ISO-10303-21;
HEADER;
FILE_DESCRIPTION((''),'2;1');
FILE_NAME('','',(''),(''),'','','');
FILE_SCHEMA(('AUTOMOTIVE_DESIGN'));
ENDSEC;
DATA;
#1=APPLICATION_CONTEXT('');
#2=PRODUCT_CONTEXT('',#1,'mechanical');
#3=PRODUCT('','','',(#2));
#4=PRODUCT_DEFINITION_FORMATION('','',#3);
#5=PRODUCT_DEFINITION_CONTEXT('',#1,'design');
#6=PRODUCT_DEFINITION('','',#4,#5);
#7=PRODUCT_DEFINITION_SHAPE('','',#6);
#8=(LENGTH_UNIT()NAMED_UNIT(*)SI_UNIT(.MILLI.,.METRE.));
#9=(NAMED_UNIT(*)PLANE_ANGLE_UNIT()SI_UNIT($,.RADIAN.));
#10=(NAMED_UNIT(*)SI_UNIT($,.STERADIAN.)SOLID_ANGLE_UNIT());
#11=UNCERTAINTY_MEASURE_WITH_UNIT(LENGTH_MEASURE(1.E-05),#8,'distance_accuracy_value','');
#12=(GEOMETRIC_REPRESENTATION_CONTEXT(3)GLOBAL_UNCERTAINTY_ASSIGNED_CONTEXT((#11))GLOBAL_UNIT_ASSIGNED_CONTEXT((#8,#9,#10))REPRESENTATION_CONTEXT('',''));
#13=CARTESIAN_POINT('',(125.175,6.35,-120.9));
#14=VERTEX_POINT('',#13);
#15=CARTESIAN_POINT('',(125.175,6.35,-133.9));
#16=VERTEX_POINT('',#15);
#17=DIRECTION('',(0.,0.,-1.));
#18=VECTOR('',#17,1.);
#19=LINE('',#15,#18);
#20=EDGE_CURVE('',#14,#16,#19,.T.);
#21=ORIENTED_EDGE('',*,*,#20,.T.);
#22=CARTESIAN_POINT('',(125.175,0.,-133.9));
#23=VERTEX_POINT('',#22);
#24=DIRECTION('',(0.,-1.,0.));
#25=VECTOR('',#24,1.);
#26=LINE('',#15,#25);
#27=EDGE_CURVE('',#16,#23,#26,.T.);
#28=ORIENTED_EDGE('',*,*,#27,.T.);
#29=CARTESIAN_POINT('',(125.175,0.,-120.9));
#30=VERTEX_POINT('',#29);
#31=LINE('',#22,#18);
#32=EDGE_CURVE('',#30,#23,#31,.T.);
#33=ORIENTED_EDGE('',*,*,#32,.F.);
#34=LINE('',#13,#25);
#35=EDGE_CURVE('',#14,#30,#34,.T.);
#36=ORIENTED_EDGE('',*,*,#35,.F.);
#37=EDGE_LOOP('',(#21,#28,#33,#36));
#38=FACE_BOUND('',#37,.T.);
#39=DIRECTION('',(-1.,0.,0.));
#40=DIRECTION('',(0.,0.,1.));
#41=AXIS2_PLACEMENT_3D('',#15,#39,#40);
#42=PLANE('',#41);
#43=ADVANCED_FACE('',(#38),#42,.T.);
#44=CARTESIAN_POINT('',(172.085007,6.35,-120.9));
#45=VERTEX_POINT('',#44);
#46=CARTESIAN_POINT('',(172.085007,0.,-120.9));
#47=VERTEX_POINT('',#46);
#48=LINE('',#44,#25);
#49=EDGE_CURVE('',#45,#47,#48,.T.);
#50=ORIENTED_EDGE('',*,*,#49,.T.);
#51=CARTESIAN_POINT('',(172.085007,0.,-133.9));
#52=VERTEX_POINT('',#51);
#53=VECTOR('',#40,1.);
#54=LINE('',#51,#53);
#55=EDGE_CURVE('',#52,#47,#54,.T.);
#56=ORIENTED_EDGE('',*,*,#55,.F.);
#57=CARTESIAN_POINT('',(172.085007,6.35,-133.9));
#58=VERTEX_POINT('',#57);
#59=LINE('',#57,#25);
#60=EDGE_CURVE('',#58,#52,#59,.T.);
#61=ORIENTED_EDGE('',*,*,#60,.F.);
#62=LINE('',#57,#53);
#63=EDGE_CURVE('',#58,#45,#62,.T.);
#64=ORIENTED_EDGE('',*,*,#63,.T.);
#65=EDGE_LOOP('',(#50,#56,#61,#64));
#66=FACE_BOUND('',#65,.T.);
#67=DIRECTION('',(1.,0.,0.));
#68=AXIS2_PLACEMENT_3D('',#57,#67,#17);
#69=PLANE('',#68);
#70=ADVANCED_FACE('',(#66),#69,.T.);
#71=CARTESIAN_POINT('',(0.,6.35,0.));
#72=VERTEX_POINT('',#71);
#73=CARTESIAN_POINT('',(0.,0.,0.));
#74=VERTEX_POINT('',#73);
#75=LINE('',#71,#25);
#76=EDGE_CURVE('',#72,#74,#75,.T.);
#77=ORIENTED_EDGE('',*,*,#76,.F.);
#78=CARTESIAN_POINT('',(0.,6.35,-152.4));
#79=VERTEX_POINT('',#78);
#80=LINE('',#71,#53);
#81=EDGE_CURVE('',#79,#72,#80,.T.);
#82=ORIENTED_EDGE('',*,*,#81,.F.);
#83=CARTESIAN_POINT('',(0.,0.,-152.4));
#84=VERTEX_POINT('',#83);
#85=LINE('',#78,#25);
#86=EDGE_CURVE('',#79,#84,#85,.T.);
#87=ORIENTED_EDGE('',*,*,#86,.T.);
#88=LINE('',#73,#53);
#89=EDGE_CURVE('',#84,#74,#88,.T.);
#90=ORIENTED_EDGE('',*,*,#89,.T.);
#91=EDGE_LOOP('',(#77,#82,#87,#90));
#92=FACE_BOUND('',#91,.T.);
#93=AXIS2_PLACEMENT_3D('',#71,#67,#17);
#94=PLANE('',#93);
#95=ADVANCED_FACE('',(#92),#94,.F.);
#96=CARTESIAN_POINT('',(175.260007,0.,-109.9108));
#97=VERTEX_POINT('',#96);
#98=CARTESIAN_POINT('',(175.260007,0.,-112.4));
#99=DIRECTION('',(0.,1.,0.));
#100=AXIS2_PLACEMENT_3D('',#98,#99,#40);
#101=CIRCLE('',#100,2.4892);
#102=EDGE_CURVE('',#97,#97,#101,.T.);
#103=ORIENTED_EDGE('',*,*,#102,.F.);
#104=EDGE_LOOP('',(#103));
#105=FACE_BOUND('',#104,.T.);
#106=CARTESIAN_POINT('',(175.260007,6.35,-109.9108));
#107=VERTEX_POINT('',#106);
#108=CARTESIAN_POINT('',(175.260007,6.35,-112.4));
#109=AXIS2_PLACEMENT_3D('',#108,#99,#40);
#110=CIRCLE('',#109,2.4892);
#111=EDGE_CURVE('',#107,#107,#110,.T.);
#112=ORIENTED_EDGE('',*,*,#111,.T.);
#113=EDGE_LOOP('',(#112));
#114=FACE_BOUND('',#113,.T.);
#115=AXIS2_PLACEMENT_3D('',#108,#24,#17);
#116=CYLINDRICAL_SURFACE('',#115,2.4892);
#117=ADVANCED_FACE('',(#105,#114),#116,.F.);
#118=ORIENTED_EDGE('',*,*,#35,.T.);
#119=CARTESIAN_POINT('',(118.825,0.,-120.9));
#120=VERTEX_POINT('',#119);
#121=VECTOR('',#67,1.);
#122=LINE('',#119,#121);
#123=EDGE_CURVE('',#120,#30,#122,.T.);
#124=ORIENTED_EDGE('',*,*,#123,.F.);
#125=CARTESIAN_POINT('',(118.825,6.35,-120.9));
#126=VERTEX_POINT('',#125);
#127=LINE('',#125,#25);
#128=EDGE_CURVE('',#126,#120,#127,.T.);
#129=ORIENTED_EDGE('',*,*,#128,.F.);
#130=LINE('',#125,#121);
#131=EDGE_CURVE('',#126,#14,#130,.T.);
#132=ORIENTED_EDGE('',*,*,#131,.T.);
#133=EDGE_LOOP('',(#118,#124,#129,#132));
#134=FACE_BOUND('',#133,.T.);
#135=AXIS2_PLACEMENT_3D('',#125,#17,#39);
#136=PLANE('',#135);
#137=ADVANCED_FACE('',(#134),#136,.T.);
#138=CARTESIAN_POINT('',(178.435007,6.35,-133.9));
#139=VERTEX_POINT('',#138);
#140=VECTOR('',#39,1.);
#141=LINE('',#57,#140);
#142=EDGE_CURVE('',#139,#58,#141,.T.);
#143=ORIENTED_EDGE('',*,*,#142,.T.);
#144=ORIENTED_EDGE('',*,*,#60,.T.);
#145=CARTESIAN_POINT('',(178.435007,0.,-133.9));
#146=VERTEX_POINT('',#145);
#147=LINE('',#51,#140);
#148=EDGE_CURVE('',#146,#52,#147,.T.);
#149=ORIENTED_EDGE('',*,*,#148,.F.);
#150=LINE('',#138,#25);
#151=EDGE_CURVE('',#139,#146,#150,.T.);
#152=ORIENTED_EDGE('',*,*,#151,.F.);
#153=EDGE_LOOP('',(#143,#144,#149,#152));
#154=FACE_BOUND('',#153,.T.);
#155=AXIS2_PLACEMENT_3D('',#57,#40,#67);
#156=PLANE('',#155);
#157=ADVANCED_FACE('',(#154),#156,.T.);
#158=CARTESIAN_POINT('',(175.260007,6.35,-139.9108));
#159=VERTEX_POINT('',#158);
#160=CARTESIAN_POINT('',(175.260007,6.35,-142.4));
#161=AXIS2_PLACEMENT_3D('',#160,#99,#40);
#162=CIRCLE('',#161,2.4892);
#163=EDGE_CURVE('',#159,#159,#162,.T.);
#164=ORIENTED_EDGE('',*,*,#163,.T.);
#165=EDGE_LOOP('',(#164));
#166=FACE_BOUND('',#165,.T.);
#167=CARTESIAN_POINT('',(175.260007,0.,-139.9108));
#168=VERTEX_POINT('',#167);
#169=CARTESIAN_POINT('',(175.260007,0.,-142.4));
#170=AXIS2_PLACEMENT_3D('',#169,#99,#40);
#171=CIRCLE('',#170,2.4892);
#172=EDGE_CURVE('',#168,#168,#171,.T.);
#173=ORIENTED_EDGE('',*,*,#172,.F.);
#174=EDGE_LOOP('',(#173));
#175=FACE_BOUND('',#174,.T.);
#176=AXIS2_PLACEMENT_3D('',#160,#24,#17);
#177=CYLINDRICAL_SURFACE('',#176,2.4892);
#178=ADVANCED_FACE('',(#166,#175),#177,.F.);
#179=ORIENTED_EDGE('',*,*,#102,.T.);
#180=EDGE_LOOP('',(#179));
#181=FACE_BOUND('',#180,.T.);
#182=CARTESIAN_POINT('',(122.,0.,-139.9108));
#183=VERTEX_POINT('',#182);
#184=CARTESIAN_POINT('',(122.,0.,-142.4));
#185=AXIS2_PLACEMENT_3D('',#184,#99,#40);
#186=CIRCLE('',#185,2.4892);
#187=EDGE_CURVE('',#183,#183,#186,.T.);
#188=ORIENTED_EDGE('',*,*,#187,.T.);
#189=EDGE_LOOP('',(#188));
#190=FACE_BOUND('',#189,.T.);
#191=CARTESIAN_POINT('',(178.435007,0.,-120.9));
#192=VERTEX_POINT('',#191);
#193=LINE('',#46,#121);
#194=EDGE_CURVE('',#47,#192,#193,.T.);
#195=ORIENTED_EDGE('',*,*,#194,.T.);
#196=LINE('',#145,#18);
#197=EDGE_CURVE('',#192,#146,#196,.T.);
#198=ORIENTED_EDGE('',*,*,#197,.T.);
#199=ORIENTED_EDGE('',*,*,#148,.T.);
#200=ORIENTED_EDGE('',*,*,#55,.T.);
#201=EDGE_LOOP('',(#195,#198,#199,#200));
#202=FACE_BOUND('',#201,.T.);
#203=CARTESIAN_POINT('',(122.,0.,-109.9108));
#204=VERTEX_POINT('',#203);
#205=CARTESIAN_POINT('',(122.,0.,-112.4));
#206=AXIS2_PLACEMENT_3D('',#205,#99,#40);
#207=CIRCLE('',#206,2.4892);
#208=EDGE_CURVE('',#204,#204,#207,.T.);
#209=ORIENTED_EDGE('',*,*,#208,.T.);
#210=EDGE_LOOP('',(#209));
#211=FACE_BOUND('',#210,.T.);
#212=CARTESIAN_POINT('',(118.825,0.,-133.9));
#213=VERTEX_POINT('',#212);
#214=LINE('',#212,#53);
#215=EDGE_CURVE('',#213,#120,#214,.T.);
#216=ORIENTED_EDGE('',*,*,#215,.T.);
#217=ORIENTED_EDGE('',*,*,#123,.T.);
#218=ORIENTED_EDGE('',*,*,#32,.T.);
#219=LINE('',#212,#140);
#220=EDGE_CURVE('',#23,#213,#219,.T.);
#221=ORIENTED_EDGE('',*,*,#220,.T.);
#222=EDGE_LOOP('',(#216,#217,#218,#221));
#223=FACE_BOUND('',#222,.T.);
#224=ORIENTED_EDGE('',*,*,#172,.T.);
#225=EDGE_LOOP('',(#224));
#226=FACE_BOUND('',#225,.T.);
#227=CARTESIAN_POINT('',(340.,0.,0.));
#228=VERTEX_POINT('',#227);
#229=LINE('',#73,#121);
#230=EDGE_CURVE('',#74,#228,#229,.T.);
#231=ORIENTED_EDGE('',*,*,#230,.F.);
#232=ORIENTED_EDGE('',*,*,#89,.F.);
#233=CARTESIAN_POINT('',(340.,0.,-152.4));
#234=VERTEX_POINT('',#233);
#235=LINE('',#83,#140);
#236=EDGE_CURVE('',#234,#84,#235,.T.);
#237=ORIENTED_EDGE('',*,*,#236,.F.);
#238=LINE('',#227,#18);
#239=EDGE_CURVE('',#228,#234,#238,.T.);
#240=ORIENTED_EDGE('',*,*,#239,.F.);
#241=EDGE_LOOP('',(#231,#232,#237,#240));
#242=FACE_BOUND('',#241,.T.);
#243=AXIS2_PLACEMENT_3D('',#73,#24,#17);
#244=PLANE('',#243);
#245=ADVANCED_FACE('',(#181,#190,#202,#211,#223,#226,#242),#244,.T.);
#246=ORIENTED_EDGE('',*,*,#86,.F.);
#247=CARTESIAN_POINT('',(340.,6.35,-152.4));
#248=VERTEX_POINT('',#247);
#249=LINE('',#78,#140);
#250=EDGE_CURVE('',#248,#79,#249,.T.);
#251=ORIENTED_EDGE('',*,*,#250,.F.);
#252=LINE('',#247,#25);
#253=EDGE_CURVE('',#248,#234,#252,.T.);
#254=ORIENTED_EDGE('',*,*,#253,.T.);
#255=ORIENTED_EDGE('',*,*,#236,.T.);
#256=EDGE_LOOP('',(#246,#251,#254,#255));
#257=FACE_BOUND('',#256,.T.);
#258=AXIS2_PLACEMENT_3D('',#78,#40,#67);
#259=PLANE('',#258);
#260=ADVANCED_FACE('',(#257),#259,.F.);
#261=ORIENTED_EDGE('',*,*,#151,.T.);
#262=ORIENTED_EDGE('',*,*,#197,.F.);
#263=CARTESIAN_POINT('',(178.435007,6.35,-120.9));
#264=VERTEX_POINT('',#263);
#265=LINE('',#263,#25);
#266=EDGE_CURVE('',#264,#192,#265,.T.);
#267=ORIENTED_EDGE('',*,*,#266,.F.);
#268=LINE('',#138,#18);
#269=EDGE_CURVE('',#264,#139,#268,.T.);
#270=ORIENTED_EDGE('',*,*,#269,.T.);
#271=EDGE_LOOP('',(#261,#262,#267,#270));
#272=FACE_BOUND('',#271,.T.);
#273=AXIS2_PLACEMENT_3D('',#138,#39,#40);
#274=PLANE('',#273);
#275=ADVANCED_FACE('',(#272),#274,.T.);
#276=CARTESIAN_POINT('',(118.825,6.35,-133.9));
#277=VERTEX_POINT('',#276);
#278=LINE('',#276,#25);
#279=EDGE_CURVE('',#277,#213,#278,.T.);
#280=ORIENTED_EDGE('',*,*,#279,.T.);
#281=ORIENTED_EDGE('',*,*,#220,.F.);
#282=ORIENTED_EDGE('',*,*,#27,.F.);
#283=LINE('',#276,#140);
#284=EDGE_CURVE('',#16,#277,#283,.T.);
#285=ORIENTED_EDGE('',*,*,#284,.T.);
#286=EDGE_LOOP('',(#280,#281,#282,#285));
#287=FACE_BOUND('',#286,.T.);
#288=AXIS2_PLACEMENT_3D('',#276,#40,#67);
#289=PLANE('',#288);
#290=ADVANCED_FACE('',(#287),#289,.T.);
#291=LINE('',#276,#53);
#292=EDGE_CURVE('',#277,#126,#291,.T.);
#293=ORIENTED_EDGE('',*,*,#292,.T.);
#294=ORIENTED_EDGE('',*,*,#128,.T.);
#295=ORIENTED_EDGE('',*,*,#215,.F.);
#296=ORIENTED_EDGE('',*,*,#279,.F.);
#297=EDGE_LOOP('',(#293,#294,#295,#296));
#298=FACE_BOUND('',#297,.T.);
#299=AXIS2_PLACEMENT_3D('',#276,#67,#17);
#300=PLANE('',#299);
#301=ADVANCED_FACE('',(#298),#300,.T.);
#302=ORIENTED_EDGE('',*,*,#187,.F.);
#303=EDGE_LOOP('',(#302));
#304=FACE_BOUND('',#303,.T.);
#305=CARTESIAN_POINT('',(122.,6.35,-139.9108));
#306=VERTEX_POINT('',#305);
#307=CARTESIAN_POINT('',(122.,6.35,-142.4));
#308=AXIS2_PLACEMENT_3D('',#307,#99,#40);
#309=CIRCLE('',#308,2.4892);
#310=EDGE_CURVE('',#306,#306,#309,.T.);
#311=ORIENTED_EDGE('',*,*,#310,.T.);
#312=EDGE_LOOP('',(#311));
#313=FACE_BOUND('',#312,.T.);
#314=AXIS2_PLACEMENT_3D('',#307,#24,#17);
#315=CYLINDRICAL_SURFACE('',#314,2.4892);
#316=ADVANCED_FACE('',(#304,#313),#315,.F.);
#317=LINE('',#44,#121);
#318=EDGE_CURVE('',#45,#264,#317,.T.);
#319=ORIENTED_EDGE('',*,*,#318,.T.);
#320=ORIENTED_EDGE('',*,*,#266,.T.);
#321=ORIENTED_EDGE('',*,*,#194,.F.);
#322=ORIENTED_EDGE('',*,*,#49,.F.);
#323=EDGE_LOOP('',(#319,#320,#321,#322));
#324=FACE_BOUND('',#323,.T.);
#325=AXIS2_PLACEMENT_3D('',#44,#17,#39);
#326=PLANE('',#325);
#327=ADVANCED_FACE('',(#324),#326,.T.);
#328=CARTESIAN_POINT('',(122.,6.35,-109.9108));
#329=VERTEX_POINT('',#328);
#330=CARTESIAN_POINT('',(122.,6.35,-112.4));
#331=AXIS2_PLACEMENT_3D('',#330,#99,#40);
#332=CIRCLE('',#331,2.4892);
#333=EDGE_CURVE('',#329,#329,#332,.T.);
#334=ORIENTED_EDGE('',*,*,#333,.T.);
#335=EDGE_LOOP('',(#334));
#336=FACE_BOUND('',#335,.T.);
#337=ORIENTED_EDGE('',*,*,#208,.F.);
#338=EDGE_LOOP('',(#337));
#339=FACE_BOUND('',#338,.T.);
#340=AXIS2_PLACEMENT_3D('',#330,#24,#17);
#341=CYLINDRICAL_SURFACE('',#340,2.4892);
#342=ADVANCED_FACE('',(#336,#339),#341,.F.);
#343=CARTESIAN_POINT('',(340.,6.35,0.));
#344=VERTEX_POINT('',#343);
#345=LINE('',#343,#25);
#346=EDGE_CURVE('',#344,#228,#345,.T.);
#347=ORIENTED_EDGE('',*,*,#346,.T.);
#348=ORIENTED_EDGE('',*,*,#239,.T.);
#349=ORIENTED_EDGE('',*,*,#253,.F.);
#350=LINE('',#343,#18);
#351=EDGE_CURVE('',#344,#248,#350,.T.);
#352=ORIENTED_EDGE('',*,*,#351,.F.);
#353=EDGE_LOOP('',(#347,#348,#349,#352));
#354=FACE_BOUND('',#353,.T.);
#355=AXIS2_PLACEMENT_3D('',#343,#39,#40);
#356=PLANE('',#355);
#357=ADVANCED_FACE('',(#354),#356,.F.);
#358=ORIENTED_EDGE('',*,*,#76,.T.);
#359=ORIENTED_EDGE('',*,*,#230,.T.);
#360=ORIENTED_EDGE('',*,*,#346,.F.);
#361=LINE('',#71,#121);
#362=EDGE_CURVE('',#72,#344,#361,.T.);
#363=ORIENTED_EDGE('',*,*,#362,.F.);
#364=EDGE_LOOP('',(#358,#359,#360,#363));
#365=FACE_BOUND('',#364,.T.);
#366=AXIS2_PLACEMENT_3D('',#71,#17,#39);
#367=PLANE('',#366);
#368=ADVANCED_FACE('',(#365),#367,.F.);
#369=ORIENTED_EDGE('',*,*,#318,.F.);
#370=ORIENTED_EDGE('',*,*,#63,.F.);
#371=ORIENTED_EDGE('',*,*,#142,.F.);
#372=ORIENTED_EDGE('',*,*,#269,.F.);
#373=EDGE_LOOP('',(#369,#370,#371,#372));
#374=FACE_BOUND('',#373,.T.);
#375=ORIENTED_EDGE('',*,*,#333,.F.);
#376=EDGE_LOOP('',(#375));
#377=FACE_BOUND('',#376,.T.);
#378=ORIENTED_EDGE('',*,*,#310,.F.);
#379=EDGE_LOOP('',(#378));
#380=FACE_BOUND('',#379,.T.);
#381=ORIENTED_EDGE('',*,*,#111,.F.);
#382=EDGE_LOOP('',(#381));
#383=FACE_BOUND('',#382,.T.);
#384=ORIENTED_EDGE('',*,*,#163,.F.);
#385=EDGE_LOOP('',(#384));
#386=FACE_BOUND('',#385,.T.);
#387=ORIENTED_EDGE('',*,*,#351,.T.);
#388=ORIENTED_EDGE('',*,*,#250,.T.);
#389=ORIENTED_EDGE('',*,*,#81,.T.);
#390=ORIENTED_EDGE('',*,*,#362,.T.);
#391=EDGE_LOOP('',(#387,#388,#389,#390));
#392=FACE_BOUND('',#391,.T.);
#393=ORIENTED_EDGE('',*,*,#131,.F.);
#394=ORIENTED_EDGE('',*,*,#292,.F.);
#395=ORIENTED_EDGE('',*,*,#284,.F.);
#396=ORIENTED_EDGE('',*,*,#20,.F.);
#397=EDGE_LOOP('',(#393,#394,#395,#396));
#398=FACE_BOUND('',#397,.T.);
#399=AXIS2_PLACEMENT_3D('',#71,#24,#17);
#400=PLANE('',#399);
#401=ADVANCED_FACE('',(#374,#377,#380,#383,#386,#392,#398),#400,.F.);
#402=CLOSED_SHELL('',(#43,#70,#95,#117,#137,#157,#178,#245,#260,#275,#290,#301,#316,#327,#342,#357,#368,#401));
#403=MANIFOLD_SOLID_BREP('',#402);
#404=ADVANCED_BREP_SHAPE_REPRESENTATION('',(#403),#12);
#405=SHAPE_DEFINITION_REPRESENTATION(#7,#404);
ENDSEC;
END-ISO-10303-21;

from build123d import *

# Parameters (mm, degrees)
SKETCH1_W           = 340
SKETCH1_H           = 152.4
SKETCH1_R           = 2.4892
SKETCH1_W_2         = 6.35
SKETCH1_H_2         = 13
BOSS_EXTRUDE1_DEPTH = 6.35


with BuildPart() as part:
    # Sketch1 → Boss-Extrude1 (new body)
    with BuildSketch(Plane(origin=(0, 0, 0), x_dir=(1, 0, 0), z_dir=(0, 1, 0))):
        with Locations((170, 76.2)):
            Rectangle(SKETCH1_W, SKETCH1_H)
        with Locations(Location((122, 142.399999934, 0), (0, 0, 270))):
            Circle(SKETCH1_R, mode=Mode.SUBTRACT)
        with Locations(Location((175.260007, 142.399999934, 0), (0, 0, 270))):
            Circle(SKETCH1_R, mode=Mode.SUBTRACT)
        with Locations(Location((122, 112.39999999, 0), (0, 0, 270))):
            Circle(SKETCH1_R, mode=Mode.SUBTRACT)
        with Locations(Location((175.260007, 112.39999999, 0), (0, 0, 270))):
            Circle(SKETCH1_R, mode=Mode.SUBTRACT)
        with Locations((122, 127.399999934)):
            Rectangle(SKETCH1_W_2, SKETCH1_H_2, mode=Mode.SUBTRACT)
        with Locations((175.260007, 127.399999934)):
            Rectangle(SKETCH1_W_2, SKETCH1_H_2, mode=Mode.SUBTRACT)
    extrude(amount=BOSS_EXTRUDE1_DEPTH)


solid = part.part
